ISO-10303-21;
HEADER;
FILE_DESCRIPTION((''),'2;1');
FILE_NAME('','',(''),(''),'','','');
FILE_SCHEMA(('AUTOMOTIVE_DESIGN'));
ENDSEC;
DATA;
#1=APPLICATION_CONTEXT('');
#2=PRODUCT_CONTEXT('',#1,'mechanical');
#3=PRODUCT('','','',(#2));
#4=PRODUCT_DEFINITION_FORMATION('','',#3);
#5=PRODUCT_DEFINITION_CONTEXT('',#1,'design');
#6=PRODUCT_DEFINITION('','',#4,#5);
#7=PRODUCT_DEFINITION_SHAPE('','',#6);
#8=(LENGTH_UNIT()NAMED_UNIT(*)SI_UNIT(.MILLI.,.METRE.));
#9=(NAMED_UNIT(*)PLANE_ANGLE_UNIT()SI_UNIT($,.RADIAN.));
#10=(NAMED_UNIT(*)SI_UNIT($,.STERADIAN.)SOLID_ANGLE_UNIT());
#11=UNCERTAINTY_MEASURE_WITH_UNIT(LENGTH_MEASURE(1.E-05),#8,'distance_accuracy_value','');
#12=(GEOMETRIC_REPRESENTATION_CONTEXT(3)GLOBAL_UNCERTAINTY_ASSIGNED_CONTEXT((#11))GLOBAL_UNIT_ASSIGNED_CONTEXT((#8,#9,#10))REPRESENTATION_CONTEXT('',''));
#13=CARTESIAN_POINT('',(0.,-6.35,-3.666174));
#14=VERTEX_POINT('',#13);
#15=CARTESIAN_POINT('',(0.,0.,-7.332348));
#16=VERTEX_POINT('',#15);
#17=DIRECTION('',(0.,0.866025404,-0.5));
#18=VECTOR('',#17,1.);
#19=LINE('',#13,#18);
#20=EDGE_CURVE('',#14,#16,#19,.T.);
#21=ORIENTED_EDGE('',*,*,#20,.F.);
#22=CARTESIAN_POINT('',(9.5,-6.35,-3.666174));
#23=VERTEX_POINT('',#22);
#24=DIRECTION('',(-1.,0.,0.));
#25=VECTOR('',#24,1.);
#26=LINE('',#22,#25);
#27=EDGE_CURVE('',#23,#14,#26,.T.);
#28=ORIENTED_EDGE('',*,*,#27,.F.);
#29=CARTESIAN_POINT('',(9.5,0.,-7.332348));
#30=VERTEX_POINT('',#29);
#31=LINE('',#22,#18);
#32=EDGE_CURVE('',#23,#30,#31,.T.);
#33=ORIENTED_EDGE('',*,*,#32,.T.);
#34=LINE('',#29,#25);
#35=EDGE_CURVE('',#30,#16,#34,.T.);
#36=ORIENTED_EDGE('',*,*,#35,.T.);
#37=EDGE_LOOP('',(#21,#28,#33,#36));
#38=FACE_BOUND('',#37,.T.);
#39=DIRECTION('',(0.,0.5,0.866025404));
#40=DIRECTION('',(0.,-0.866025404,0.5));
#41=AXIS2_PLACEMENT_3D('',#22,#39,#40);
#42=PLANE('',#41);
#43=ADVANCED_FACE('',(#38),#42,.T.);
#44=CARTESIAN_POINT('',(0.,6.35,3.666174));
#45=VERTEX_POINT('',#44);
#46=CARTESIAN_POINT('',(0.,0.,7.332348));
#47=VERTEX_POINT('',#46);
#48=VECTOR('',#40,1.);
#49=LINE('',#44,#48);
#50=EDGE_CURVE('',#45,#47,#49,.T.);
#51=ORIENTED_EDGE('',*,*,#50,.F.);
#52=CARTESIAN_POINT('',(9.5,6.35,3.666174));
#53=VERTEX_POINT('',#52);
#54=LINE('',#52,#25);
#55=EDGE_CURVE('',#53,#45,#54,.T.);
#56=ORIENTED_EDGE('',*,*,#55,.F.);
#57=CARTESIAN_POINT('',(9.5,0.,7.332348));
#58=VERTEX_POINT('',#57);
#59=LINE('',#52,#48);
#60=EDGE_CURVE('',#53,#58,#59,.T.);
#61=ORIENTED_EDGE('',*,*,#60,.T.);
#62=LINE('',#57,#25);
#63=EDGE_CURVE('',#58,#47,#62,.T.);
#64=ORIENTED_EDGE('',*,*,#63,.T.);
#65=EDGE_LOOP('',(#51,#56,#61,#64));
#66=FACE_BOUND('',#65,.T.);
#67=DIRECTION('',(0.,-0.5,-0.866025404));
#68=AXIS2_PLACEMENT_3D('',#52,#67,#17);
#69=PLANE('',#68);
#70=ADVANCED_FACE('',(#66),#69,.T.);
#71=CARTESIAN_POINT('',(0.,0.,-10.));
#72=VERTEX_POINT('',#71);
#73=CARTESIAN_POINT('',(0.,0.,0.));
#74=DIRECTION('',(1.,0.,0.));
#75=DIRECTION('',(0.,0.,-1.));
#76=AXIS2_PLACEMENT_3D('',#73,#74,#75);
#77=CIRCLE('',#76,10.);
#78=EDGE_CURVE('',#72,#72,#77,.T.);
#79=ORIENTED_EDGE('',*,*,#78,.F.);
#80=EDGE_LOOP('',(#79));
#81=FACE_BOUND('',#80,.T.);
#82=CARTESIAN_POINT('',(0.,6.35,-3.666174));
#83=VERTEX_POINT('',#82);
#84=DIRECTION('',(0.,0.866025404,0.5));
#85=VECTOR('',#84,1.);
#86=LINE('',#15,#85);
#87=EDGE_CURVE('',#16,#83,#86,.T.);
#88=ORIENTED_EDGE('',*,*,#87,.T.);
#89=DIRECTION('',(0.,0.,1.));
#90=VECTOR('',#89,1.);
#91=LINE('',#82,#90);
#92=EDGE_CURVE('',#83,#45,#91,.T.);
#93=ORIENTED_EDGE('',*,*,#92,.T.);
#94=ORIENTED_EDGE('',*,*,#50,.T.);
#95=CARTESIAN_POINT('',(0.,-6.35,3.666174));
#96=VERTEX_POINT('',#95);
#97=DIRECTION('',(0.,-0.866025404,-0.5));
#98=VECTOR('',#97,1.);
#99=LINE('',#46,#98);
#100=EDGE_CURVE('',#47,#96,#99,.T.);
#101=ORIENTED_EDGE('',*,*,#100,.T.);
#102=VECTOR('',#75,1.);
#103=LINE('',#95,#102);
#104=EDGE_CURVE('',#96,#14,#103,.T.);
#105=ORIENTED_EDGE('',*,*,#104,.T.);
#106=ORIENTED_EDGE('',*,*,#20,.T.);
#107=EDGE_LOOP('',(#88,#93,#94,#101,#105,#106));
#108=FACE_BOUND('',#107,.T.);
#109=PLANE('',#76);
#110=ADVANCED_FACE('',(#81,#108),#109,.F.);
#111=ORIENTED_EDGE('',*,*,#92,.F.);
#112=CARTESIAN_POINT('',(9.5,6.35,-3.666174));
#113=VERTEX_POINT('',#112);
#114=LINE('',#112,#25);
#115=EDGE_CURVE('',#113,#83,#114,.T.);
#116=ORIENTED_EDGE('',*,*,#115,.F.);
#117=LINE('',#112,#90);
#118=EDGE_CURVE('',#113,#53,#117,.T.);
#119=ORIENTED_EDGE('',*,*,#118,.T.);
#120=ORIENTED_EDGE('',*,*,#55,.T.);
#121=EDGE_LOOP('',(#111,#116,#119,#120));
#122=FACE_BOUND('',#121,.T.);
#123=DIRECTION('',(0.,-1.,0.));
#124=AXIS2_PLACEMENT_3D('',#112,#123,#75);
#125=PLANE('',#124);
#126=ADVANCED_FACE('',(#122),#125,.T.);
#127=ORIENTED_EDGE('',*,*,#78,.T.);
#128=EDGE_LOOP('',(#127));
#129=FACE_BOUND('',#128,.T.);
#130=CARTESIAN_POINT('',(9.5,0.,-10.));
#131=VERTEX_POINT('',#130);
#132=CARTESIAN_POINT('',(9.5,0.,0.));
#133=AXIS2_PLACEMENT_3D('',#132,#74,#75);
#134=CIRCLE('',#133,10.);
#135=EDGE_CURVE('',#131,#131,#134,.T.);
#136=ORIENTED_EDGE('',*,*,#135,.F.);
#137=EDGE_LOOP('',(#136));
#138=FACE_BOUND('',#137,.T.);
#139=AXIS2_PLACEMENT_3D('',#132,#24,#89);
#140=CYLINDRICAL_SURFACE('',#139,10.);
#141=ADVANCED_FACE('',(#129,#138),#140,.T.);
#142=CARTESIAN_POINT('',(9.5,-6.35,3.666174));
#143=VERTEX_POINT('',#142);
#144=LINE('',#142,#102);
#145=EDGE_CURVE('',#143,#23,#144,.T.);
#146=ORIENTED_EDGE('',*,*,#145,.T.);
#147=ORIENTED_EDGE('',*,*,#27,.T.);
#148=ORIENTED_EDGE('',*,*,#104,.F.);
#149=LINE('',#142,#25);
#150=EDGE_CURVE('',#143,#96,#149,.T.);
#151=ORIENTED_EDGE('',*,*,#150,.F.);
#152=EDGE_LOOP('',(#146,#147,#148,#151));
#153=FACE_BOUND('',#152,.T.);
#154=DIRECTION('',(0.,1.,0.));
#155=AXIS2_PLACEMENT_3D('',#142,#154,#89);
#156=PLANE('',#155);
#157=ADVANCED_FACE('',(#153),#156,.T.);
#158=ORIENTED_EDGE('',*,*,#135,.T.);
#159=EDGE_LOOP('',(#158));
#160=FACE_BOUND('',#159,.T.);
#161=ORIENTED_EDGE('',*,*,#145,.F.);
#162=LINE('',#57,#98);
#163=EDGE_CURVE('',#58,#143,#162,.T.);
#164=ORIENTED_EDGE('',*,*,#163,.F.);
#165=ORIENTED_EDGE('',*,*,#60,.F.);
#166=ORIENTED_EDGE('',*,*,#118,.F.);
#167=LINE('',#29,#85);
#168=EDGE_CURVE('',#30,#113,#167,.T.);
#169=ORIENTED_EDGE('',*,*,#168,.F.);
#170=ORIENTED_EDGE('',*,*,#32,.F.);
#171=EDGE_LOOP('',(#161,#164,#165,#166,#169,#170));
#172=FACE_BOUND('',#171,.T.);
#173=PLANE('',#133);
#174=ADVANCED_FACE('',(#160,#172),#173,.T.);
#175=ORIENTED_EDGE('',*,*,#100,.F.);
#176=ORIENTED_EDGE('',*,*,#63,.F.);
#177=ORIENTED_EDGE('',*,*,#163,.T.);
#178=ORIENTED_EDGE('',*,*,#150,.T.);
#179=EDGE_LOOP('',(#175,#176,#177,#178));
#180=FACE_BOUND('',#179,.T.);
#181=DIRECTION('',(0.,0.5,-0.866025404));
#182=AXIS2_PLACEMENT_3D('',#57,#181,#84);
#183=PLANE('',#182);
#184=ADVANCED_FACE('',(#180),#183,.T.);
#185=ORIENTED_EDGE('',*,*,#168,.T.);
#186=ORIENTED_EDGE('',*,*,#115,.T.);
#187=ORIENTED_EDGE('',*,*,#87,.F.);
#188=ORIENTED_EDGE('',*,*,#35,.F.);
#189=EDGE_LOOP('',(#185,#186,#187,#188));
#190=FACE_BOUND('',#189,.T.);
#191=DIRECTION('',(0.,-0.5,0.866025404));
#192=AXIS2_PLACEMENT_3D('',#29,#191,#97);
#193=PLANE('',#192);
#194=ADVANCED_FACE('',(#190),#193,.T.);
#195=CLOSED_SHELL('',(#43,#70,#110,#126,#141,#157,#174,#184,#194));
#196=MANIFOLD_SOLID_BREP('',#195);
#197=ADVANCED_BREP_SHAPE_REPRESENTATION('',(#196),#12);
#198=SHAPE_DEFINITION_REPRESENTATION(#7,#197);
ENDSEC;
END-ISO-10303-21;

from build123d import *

# Parameters (mm, degrees)
CROQUIS1_R              = 10
SALIENTE_EXTRUIR1_DEPTH = 9.5


with BuildPart() as part:
    # Croquis1 → Saliente-Extruir1 (new body)
    with BuildSketch(Plane(origin=(0, 0, 0), x_dir=(0, 0, -1), z_dir=(1, 0, 0))):
        Circle(CROQUIS1_R)
        Polygon((7.332348419, 0), (3.666174209, 6.35), (-3.666174209, 6.35), (-7.332348419, 0), (-3.666174209, -6.35), (3.666174209, -6.35), align=None, mode=Mode.SUBTRACT)
    extrude(amount=SALIENTE_EXTRUIR1_DEPTH)


solid = part.part
